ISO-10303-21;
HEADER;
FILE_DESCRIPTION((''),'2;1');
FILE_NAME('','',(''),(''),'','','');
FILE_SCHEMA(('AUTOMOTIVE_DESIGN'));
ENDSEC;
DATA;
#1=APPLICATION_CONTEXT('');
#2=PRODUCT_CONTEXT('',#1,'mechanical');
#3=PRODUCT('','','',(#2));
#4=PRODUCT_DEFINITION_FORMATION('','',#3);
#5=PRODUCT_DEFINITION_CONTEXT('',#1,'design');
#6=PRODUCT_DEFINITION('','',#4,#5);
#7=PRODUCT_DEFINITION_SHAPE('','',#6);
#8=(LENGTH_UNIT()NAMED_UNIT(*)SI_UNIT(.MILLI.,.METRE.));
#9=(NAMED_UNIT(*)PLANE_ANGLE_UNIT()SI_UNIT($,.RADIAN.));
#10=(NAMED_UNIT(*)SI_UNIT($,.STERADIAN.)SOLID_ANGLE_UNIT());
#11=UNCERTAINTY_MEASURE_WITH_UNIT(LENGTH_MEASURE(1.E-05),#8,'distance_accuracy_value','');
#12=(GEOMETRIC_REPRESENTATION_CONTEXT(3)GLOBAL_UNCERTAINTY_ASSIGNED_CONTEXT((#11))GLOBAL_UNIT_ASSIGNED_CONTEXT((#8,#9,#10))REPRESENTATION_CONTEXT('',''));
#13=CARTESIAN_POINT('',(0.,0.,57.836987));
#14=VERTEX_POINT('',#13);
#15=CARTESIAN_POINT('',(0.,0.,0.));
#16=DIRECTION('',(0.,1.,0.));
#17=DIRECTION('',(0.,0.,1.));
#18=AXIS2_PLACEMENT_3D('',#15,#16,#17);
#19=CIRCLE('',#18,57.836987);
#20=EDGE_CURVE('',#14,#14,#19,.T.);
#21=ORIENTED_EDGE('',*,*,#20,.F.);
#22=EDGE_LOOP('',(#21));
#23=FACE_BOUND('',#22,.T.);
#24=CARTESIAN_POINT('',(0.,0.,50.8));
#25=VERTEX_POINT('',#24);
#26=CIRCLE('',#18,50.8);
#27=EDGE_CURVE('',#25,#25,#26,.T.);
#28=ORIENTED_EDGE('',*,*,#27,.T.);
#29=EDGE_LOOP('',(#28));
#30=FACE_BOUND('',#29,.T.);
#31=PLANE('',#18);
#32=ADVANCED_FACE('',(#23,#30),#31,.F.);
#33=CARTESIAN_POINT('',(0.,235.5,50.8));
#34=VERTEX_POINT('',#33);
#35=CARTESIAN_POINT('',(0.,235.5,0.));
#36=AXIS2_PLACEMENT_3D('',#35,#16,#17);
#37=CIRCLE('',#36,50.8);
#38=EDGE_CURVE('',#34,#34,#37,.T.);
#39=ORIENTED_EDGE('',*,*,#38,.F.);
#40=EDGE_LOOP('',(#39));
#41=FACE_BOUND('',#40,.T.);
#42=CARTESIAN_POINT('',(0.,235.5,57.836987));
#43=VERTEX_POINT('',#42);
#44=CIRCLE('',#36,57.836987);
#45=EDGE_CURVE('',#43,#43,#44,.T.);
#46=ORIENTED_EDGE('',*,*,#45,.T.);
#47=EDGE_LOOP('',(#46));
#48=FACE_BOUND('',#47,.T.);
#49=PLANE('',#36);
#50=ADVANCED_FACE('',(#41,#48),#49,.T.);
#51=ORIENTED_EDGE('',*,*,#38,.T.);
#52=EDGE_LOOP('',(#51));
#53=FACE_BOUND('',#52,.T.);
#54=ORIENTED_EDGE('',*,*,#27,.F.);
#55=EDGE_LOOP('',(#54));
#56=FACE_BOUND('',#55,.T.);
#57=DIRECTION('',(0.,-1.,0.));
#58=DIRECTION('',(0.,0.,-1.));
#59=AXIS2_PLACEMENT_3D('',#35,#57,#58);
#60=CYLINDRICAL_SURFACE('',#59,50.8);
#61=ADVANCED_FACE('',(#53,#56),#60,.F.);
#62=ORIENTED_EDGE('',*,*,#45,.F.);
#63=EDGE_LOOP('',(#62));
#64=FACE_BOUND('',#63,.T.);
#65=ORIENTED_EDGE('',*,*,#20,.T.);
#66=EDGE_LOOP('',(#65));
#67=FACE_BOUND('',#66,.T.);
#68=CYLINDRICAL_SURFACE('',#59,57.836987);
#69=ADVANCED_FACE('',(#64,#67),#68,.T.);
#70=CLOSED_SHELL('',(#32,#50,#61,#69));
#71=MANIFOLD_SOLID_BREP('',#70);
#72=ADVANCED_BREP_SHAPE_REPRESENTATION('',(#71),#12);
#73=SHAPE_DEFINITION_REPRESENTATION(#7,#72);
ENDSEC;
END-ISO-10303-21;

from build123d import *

# Parameters (mm, degrees)
SKETCH1_R           = 57.836986526
SKETCH1_R_2         = 50.8
BOSS_EXTRUDE1_DEPTH = 235.5


with BuildPart() as part:
    # Sketch1 → Boss-Extrude1 (new body)
    with BuildSketch(Plane(origin=(0, 0, 0), x_dir=(1, 0, 0), z_dir=(0, 1, 0))):
        Circle(SKETCH1_R)
        Circle(SKETCH1_R_2, mode=Mode.SUBTRACT)
    extrude(amount=BOSS_EXTRUDE1_DEPTH)


solid = part.part
